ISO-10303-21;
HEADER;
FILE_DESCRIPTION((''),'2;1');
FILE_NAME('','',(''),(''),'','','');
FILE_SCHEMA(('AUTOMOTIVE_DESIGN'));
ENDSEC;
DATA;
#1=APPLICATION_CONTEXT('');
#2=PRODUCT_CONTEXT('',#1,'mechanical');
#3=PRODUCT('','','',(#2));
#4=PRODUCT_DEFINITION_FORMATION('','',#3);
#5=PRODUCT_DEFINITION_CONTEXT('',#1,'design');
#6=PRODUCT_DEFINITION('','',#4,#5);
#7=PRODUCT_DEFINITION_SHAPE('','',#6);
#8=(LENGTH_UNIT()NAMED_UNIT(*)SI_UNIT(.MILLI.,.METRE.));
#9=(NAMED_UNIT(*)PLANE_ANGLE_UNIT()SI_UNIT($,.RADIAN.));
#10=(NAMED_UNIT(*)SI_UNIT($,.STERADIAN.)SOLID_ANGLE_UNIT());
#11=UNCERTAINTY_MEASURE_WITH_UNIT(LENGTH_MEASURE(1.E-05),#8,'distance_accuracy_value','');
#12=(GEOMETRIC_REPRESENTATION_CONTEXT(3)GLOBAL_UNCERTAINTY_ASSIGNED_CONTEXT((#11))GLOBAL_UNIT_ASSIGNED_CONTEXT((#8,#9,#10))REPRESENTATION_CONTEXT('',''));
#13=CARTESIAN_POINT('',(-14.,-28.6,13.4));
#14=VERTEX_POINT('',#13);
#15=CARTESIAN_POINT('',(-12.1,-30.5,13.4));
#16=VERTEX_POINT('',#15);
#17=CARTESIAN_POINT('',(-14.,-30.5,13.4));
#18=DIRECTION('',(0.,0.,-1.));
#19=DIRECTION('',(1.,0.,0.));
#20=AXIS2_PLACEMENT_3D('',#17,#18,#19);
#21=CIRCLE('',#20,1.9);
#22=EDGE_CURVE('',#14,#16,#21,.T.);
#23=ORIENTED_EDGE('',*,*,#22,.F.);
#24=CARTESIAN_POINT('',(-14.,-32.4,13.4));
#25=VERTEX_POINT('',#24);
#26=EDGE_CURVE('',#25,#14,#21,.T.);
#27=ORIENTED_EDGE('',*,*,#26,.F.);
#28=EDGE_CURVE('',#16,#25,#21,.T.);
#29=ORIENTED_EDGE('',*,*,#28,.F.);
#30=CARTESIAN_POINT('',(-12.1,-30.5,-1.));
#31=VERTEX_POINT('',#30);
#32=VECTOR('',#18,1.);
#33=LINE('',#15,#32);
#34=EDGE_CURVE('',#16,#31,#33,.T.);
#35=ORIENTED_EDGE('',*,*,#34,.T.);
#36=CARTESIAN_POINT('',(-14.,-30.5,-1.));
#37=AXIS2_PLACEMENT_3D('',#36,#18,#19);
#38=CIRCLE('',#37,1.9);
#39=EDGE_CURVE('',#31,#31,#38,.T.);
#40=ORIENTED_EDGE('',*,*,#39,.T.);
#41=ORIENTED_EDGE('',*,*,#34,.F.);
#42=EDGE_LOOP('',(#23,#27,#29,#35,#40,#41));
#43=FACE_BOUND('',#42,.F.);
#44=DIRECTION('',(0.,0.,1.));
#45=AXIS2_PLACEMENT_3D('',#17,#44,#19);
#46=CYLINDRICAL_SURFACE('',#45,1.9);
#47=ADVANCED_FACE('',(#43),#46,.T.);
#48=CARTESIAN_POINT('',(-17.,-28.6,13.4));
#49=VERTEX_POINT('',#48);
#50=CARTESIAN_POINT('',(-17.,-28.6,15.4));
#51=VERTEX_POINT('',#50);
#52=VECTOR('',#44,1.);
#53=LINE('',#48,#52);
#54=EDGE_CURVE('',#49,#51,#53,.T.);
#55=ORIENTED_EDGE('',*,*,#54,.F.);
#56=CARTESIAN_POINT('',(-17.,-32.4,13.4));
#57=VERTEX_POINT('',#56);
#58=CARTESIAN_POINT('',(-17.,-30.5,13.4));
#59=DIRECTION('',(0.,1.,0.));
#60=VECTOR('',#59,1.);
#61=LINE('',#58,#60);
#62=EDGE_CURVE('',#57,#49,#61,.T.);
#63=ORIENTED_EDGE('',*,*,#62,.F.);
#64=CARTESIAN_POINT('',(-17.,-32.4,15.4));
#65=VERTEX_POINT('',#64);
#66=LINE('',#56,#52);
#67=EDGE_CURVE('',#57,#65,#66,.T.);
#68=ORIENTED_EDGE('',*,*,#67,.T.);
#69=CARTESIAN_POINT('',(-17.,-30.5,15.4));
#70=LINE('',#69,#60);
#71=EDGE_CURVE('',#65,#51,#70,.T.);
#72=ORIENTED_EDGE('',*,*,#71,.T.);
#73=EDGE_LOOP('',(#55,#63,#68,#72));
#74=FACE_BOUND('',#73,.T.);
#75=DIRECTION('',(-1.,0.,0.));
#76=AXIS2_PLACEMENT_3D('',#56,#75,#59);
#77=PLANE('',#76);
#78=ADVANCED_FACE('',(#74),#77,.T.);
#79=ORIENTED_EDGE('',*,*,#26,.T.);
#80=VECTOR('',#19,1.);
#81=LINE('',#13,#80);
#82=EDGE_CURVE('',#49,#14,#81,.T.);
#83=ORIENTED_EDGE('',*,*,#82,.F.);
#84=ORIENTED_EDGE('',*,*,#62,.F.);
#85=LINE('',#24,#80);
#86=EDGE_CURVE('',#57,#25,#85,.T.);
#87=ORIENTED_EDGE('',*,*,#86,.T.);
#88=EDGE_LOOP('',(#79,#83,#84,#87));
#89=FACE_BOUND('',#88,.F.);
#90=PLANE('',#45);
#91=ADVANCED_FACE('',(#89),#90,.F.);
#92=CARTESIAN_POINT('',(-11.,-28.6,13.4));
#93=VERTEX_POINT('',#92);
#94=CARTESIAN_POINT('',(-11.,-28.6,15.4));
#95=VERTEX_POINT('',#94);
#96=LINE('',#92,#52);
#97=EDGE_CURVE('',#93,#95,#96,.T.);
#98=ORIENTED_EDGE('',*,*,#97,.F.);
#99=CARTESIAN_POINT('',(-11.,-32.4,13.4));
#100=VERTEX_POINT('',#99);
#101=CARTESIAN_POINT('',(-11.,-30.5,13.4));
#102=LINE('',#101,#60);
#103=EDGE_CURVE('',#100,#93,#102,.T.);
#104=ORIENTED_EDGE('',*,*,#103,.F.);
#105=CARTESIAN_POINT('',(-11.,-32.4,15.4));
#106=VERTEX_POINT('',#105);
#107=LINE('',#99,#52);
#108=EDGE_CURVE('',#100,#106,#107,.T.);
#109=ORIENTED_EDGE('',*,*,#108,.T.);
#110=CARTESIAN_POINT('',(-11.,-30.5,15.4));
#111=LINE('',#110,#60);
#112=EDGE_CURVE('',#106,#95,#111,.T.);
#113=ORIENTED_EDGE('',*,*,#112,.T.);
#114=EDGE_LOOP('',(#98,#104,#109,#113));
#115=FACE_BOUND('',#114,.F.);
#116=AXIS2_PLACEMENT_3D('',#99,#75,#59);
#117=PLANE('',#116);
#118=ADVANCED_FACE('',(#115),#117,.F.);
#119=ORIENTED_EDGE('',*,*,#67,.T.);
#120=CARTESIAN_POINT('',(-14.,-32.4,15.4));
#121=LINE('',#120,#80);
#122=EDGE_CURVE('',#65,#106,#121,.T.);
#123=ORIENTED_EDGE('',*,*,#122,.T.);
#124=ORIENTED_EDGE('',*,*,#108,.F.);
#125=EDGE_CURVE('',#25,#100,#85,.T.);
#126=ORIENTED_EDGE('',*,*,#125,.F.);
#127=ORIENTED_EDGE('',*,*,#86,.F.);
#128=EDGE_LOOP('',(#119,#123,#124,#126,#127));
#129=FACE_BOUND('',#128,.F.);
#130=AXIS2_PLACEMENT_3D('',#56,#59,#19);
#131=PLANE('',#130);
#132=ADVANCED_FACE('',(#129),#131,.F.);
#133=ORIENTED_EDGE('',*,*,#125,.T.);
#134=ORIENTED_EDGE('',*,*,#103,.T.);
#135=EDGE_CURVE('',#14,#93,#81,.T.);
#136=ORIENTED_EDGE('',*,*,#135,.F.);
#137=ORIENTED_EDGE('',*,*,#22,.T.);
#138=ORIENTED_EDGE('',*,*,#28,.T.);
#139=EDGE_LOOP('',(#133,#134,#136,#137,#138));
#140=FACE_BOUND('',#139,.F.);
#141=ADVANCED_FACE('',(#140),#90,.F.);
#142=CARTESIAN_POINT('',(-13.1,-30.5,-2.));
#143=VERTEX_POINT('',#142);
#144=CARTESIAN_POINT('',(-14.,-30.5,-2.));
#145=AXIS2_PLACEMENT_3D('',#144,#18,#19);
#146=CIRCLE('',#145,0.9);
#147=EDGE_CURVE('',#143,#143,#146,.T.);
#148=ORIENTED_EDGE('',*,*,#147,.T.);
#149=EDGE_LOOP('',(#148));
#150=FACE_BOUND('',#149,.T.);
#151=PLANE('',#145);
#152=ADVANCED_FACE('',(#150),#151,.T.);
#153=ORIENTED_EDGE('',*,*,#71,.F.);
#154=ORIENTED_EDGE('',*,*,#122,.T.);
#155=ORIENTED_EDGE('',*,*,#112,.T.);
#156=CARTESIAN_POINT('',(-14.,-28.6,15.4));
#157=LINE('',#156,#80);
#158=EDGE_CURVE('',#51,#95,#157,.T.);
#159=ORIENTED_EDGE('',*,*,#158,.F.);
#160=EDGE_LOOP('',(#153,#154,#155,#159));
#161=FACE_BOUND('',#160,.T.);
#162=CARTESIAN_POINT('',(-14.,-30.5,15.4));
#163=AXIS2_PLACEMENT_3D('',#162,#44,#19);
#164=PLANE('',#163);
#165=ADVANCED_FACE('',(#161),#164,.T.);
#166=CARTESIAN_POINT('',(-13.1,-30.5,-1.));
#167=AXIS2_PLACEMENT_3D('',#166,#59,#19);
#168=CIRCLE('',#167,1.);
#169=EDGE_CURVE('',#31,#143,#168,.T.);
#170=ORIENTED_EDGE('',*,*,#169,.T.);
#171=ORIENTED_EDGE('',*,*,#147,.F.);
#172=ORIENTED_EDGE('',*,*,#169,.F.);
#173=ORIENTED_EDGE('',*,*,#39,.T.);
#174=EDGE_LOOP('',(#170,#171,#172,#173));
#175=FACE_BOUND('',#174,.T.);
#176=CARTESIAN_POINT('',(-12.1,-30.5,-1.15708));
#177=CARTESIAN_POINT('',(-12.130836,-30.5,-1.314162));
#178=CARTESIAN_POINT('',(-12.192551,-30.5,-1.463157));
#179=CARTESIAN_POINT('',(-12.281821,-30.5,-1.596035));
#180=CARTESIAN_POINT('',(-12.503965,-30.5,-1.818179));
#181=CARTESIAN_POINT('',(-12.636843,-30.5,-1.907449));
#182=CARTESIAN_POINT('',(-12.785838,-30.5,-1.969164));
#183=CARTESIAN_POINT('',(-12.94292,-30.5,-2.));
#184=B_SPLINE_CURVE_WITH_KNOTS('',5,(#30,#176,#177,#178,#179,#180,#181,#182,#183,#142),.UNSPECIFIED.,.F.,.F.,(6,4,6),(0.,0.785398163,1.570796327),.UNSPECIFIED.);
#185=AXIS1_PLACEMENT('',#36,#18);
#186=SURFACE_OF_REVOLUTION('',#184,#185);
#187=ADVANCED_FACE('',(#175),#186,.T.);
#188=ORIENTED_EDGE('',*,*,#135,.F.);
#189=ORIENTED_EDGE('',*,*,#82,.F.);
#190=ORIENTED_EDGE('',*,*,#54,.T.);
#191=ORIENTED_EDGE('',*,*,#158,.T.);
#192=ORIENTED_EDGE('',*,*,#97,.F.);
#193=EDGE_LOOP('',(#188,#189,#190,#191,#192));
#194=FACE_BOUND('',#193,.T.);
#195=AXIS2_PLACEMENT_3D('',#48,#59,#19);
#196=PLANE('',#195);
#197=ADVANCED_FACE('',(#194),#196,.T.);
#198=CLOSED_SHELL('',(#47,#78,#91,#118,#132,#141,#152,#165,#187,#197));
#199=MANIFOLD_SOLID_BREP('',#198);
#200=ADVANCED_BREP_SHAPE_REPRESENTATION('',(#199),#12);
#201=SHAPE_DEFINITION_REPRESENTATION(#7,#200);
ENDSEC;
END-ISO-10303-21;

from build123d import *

# Parameters (mm, degrees)
SKETCH028_W  = 6
SKETCH028_H  = 3.8
PAD011_DEPTH = 2
SKETCH032_R  = 1.9
PAD015_DEPTH = 15.4
FILLET011_R  = 1


with BuildPart() as part:
    # Sketch028 → Pad011 (new body)
    with BuildSketch(Plane.XY.offset(13.4)):
        with Locations((-14, -30.5)):
            Rectangle(SKETCH028_W, SKETCH028_H)
    extrude(amount=PAD011_DEPTH)

    # Sketch032 (on Face5 of Pad011) → Pad015 (join)
    with BuildSketch(Plane(origin=(0, 0, 13.4), x_dir=(1, 0, 0), z_dir=(0, 0, -1))):
        with Locations((-14, 30.5)):
            Circle(SKETCH032_R)
    extrude(amount=PAD015_DEPTH)

    # Fillet011
    fillet011_edges = [part.edges().sort_by_distance(p)[0] for p in [
        (-15.9, -30.5, -2),
    ]]
    fillet(fillet011_edges, radius=FILLET011_R)


solid = part.part
